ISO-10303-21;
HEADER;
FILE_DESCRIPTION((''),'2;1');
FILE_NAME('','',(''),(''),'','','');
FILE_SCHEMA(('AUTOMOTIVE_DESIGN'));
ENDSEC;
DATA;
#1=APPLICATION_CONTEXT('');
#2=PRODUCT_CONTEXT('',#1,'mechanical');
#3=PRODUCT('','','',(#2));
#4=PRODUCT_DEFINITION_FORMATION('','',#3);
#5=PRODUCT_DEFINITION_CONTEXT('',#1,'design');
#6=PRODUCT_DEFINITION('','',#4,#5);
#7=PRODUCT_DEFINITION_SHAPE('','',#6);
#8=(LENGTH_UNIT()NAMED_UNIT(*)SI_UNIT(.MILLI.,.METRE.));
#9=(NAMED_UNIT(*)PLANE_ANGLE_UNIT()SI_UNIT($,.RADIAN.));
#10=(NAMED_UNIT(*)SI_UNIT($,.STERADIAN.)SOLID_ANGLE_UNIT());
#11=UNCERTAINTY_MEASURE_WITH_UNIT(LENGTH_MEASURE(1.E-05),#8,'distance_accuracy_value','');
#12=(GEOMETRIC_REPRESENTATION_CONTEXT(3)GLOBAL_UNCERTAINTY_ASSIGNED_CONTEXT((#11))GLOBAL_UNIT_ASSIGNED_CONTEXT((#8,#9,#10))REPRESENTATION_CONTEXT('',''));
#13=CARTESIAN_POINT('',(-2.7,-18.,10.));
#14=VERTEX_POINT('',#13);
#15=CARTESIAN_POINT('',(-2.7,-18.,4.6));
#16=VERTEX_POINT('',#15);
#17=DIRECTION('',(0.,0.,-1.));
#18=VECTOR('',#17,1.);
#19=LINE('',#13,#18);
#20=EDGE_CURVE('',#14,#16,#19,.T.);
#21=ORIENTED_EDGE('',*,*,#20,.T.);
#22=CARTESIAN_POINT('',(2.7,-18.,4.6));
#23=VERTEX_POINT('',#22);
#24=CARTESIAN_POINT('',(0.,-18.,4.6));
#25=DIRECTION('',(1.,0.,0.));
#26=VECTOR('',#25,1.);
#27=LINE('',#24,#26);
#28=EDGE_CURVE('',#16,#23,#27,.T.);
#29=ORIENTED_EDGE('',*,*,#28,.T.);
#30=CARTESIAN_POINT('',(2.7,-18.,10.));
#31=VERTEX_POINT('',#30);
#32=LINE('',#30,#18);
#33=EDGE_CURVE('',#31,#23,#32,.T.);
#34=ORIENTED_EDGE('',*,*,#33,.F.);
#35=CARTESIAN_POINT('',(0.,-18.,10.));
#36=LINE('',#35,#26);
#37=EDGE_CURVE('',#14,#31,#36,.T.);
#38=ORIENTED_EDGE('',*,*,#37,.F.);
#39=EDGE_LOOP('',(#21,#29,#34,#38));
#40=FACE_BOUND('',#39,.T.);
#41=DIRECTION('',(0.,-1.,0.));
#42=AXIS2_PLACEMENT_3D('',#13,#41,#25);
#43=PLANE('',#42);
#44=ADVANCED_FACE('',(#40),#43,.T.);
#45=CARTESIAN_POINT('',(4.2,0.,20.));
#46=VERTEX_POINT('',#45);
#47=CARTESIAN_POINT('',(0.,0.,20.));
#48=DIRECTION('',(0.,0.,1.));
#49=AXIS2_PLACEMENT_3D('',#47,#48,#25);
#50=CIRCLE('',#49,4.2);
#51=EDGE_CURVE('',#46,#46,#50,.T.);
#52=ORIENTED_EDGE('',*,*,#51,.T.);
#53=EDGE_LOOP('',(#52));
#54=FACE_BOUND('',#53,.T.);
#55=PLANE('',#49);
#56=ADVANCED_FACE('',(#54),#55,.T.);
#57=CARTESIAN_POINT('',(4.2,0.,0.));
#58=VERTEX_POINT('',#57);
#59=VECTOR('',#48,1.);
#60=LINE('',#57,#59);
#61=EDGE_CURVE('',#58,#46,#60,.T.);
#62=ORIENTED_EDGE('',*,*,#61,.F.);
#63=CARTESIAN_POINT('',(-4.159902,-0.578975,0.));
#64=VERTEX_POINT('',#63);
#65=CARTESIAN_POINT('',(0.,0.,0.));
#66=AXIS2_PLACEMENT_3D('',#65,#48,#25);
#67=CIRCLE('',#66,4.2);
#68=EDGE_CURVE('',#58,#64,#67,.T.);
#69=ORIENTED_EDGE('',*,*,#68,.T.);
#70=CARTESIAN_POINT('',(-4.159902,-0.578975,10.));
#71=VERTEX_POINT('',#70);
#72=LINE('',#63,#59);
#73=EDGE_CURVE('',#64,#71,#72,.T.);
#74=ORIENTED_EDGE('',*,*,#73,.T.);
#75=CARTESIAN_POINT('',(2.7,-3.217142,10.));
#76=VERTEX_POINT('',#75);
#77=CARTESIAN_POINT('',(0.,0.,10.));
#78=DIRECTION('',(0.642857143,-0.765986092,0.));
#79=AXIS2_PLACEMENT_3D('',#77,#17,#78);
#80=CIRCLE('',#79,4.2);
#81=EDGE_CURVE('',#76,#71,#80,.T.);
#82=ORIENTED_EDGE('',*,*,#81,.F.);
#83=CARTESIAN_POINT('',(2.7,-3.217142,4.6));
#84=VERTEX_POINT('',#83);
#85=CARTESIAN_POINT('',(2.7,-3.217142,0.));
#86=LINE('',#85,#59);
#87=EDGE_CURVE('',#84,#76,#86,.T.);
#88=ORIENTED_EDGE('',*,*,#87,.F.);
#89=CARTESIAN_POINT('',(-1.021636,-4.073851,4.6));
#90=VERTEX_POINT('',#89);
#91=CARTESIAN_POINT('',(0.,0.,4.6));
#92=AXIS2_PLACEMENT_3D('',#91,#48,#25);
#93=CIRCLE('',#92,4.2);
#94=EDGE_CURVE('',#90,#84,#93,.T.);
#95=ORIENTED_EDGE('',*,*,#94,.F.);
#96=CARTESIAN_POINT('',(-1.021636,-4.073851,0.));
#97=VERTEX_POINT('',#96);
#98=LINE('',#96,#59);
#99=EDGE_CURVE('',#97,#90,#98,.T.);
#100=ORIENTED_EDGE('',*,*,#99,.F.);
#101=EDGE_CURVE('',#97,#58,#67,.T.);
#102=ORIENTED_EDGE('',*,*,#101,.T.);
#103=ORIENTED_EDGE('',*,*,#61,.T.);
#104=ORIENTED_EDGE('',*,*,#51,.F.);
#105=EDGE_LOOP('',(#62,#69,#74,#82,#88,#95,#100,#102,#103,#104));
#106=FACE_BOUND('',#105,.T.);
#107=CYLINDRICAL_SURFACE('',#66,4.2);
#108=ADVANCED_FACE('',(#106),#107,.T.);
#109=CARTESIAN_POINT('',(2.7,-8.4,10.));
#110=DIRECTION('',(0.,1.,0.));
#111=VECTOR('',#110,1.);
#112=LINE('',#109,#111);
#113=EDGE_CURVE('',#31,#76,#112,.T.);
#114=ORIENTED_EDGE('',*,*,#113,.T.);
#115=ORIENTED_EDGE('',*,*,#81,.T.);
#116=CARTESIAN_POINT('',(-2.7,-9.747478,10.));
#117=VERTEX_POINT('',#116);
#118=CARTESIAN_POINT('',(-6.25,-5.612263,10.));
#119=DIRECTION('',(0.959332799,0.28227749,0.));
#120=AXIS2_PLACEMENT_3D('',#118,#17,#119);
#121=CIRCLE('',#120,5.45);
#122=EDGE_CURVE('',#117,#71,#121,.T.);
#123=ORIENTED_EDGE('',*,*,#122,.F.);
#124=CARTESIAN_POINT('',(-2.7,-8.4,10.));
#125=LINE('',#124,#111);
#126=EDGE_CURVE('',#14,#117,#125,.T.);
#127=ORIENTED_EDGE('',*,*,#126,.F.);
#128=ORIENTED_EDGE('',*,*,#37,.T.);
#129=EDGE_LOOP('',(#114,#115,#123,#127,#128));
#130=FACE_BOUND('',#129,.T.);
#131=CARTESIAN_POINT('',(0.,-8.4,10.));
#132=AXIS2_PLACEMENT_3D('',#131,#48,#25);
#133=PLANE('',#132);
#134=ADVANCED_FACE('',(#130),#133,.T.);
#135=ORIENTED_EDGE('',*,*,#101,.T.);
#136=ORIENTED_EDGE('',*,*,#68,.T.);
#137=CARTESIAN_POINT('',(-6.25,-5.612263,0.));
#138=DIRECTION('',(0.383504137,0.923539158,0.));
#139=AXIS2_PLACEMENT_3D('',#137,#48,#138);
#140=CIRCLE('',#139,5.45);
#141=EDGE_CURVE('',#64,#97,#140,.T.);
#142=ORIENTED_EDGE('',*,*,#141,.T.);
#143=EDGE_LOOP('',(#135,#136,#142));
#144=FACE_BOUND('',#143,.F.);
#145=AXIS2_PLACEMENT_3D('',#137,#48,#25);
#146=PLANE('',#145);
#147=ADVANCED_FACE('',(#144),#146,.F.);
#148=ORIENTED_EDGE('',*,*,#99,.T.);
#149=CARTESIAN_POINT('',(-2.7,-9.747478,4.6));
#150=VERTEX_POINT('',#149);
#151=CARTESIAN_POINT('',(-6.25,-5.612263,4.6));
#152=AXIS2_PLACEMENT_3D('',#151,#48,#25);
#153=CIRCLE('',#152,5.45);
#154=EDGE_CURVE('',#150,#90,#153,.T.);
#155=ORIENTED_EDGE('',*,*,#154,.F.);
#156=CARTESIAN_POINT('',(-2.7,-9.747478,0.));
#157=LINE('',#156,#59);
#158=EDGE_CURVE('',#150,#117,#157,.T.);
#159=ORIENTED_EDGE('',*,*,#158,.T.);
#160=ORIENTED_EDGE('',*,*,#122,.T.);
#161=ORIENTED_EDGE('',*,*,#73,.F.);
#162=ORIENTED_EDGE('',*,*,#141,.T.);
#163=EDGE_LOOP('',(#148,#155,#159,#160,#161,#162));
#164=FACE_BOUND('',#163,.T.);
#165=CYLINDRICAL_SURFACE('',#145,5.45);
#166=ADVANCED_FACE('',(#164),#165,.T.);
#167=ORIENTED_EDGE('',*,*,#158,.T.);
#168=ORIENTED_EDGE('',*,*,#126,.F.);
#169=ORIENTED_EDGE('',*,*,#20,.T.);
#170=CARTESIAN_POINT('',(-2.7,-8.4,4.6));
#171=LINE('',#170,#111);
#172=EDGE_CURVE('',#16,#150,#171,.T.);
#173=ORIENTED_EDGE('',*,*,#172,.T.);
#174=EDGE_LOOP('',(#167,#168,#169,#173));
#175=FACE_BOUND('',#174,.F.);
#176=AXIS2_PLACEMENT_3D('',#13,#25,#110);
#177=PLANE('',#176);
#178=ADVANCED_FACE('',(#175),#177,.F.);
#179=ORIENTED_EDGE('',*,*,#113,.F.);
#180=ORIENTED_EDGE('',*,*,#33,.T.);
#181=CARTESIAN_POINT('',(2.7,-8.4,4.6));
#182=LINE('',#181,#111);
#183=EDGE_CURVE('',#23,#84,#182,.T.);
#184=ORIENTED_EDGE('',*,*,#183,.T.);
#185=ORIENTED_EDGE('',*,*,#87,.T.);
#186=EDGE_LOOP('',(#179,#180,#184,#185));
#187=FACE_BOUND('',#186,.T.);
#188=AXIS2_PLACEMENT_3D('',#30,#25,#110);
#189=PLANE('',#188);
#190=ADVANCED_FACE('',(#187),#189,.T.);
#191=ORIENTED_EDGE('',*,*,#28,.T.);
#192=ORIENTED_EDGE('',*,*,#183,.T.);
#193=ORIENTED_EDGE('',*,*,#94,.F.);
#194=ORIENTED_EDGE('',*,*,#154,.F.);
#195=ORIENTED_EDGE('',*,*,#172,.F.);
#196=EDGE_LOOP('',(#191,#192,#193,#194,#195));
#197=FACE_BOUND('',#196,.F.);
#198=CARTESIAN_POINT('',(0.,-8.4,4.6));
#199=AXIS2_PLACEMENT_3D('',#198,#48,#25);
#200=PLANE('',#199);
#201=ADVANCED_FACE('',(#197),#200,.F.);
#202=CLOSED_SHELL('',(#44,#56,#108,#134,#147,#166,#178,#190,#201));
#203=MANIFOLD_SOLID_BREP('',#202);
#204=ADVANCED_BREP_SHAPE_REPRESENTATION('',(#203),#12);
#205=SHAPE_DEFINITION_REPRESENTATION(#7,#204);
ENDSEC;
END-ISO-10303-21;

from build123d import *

# Parameters (mm, degrees)
F1_R     = 4.2
F2_R     = 5.45
F7_W     = 5.4
F7_H     = 19.2
F8_DEPTH = 5.4


with BuildPart() as f5:
    # F5: sweep along a path in F4
    with BuildLine(Plane(origin=(0, 0, 0), x_dir=(0.744048, 0.668127, 0), z_dir=(0.668127, -0.744048, 0))) as f5_path:
        Line((0, 0), (0, 20))
    # F1 (on Top) → F5 (sweep)
    with BuildSketch(Plane.XY):
        Circle(F1_R)
    sweep(path=f5_path.line)

    # F6: sweep along a path in F4
    with BuildLine(Plane(origin=(0, 0, 0), x_dir=(0.744048, 0.668127, 0), z_dir=(0.668127, -0.744048, 0))) as f6_path:
        Line((-8.4, 0), (-8.4, 10))
    # F2 (on Top) → F6 (sweep)
    with BuildSketch(Plane.XY):
        with Locations((-6.25, -5.612263)):
            Circle(F2_R)
    sweep(path=f6_path.line)

    # F7 (on face) → F8 (join)
    with BuildSketch(Plane.XY.offset(10)):
        with Locations((0, -8.4)):
            Rectangle(F7_W, F7_H)
    extrude(amount=-F8_DEPTH)


solid = f5.part
